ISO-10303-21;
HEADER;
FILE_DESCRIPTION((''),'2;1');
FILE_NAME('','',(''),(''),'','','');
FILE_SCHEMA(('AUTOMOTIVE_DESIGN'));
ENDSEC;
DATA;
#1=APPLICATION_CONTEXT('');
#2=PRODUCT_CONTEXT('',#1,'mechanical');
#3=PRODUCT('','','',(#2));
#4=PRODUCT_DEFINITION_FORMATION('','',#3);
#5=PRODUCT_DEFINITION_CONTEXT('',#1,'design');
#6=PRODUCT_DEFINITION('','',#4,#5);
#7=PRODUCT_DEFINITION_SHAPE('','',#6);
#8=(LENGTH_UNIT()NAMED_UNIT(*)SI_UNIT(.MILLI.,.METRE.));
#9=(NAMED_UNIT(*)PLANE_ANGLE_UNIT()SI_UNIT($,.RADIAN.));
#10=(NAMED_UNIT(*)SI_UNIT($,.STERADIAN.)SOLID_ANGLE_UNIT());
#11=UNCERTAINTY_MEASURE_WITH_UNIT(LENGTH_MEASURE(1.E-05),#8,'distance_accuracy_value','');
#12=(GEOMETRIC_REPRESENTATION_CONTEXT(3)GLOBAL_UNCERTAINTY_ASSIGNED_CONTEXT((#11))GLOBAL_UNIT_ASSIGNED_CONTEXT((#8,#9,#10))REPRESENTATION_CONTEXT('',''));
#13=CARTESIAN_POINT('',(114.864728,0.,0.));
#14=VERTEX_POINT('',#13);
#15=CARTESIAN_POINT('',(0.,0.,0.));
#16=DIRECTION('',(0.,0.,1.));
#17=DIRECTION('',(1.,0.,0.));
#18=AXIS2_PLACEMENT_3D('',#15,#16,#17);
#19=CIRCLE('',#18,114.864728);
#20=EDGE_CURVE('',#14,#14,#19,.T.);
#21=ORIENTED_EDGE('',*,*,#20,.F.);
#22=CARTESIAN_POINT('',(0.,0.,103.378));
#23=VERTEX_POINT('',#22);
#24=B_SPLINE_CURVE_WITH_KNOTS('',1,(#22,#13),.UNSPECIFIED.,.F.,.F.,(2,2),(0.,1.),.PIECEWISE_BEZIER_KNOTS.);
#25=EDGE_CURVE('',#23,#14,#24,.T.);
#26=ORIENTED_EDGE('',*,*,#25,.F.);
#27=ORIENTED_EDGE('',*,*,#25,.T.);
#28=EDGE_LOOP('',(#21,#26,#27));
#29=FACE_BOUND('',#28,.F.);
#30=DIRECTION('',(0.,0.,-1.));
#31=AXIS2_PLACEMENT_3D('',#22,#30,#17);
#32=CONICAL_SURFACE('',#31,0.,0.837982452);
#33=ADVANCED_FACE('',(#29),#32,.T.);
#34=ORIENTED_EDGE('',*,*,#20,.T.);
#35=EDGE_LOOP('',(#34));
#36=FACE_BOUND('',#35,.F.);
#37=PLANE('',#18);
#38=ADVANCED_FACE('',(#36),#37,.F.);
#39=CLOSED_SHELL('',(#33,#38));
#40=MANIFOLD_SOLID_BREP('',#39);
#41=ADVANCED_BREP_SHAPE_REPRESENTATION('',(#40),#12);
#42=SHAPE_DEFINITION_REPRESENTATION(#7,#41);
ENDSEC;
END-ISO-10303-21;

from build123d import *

# Parameters (mm, degrees)
F0_R = 114.864728


with BuildPart() as f3:
    # F0 (on Top) → F3 section 0
    with BuildSketch(Plane.XY, mode=Mode.PRIVATE) as f3_s0:
        Circle(F0_R)
    loft([Vertex(0, 0, 103.378), f3_s0.sketch])


solid = f3.part
